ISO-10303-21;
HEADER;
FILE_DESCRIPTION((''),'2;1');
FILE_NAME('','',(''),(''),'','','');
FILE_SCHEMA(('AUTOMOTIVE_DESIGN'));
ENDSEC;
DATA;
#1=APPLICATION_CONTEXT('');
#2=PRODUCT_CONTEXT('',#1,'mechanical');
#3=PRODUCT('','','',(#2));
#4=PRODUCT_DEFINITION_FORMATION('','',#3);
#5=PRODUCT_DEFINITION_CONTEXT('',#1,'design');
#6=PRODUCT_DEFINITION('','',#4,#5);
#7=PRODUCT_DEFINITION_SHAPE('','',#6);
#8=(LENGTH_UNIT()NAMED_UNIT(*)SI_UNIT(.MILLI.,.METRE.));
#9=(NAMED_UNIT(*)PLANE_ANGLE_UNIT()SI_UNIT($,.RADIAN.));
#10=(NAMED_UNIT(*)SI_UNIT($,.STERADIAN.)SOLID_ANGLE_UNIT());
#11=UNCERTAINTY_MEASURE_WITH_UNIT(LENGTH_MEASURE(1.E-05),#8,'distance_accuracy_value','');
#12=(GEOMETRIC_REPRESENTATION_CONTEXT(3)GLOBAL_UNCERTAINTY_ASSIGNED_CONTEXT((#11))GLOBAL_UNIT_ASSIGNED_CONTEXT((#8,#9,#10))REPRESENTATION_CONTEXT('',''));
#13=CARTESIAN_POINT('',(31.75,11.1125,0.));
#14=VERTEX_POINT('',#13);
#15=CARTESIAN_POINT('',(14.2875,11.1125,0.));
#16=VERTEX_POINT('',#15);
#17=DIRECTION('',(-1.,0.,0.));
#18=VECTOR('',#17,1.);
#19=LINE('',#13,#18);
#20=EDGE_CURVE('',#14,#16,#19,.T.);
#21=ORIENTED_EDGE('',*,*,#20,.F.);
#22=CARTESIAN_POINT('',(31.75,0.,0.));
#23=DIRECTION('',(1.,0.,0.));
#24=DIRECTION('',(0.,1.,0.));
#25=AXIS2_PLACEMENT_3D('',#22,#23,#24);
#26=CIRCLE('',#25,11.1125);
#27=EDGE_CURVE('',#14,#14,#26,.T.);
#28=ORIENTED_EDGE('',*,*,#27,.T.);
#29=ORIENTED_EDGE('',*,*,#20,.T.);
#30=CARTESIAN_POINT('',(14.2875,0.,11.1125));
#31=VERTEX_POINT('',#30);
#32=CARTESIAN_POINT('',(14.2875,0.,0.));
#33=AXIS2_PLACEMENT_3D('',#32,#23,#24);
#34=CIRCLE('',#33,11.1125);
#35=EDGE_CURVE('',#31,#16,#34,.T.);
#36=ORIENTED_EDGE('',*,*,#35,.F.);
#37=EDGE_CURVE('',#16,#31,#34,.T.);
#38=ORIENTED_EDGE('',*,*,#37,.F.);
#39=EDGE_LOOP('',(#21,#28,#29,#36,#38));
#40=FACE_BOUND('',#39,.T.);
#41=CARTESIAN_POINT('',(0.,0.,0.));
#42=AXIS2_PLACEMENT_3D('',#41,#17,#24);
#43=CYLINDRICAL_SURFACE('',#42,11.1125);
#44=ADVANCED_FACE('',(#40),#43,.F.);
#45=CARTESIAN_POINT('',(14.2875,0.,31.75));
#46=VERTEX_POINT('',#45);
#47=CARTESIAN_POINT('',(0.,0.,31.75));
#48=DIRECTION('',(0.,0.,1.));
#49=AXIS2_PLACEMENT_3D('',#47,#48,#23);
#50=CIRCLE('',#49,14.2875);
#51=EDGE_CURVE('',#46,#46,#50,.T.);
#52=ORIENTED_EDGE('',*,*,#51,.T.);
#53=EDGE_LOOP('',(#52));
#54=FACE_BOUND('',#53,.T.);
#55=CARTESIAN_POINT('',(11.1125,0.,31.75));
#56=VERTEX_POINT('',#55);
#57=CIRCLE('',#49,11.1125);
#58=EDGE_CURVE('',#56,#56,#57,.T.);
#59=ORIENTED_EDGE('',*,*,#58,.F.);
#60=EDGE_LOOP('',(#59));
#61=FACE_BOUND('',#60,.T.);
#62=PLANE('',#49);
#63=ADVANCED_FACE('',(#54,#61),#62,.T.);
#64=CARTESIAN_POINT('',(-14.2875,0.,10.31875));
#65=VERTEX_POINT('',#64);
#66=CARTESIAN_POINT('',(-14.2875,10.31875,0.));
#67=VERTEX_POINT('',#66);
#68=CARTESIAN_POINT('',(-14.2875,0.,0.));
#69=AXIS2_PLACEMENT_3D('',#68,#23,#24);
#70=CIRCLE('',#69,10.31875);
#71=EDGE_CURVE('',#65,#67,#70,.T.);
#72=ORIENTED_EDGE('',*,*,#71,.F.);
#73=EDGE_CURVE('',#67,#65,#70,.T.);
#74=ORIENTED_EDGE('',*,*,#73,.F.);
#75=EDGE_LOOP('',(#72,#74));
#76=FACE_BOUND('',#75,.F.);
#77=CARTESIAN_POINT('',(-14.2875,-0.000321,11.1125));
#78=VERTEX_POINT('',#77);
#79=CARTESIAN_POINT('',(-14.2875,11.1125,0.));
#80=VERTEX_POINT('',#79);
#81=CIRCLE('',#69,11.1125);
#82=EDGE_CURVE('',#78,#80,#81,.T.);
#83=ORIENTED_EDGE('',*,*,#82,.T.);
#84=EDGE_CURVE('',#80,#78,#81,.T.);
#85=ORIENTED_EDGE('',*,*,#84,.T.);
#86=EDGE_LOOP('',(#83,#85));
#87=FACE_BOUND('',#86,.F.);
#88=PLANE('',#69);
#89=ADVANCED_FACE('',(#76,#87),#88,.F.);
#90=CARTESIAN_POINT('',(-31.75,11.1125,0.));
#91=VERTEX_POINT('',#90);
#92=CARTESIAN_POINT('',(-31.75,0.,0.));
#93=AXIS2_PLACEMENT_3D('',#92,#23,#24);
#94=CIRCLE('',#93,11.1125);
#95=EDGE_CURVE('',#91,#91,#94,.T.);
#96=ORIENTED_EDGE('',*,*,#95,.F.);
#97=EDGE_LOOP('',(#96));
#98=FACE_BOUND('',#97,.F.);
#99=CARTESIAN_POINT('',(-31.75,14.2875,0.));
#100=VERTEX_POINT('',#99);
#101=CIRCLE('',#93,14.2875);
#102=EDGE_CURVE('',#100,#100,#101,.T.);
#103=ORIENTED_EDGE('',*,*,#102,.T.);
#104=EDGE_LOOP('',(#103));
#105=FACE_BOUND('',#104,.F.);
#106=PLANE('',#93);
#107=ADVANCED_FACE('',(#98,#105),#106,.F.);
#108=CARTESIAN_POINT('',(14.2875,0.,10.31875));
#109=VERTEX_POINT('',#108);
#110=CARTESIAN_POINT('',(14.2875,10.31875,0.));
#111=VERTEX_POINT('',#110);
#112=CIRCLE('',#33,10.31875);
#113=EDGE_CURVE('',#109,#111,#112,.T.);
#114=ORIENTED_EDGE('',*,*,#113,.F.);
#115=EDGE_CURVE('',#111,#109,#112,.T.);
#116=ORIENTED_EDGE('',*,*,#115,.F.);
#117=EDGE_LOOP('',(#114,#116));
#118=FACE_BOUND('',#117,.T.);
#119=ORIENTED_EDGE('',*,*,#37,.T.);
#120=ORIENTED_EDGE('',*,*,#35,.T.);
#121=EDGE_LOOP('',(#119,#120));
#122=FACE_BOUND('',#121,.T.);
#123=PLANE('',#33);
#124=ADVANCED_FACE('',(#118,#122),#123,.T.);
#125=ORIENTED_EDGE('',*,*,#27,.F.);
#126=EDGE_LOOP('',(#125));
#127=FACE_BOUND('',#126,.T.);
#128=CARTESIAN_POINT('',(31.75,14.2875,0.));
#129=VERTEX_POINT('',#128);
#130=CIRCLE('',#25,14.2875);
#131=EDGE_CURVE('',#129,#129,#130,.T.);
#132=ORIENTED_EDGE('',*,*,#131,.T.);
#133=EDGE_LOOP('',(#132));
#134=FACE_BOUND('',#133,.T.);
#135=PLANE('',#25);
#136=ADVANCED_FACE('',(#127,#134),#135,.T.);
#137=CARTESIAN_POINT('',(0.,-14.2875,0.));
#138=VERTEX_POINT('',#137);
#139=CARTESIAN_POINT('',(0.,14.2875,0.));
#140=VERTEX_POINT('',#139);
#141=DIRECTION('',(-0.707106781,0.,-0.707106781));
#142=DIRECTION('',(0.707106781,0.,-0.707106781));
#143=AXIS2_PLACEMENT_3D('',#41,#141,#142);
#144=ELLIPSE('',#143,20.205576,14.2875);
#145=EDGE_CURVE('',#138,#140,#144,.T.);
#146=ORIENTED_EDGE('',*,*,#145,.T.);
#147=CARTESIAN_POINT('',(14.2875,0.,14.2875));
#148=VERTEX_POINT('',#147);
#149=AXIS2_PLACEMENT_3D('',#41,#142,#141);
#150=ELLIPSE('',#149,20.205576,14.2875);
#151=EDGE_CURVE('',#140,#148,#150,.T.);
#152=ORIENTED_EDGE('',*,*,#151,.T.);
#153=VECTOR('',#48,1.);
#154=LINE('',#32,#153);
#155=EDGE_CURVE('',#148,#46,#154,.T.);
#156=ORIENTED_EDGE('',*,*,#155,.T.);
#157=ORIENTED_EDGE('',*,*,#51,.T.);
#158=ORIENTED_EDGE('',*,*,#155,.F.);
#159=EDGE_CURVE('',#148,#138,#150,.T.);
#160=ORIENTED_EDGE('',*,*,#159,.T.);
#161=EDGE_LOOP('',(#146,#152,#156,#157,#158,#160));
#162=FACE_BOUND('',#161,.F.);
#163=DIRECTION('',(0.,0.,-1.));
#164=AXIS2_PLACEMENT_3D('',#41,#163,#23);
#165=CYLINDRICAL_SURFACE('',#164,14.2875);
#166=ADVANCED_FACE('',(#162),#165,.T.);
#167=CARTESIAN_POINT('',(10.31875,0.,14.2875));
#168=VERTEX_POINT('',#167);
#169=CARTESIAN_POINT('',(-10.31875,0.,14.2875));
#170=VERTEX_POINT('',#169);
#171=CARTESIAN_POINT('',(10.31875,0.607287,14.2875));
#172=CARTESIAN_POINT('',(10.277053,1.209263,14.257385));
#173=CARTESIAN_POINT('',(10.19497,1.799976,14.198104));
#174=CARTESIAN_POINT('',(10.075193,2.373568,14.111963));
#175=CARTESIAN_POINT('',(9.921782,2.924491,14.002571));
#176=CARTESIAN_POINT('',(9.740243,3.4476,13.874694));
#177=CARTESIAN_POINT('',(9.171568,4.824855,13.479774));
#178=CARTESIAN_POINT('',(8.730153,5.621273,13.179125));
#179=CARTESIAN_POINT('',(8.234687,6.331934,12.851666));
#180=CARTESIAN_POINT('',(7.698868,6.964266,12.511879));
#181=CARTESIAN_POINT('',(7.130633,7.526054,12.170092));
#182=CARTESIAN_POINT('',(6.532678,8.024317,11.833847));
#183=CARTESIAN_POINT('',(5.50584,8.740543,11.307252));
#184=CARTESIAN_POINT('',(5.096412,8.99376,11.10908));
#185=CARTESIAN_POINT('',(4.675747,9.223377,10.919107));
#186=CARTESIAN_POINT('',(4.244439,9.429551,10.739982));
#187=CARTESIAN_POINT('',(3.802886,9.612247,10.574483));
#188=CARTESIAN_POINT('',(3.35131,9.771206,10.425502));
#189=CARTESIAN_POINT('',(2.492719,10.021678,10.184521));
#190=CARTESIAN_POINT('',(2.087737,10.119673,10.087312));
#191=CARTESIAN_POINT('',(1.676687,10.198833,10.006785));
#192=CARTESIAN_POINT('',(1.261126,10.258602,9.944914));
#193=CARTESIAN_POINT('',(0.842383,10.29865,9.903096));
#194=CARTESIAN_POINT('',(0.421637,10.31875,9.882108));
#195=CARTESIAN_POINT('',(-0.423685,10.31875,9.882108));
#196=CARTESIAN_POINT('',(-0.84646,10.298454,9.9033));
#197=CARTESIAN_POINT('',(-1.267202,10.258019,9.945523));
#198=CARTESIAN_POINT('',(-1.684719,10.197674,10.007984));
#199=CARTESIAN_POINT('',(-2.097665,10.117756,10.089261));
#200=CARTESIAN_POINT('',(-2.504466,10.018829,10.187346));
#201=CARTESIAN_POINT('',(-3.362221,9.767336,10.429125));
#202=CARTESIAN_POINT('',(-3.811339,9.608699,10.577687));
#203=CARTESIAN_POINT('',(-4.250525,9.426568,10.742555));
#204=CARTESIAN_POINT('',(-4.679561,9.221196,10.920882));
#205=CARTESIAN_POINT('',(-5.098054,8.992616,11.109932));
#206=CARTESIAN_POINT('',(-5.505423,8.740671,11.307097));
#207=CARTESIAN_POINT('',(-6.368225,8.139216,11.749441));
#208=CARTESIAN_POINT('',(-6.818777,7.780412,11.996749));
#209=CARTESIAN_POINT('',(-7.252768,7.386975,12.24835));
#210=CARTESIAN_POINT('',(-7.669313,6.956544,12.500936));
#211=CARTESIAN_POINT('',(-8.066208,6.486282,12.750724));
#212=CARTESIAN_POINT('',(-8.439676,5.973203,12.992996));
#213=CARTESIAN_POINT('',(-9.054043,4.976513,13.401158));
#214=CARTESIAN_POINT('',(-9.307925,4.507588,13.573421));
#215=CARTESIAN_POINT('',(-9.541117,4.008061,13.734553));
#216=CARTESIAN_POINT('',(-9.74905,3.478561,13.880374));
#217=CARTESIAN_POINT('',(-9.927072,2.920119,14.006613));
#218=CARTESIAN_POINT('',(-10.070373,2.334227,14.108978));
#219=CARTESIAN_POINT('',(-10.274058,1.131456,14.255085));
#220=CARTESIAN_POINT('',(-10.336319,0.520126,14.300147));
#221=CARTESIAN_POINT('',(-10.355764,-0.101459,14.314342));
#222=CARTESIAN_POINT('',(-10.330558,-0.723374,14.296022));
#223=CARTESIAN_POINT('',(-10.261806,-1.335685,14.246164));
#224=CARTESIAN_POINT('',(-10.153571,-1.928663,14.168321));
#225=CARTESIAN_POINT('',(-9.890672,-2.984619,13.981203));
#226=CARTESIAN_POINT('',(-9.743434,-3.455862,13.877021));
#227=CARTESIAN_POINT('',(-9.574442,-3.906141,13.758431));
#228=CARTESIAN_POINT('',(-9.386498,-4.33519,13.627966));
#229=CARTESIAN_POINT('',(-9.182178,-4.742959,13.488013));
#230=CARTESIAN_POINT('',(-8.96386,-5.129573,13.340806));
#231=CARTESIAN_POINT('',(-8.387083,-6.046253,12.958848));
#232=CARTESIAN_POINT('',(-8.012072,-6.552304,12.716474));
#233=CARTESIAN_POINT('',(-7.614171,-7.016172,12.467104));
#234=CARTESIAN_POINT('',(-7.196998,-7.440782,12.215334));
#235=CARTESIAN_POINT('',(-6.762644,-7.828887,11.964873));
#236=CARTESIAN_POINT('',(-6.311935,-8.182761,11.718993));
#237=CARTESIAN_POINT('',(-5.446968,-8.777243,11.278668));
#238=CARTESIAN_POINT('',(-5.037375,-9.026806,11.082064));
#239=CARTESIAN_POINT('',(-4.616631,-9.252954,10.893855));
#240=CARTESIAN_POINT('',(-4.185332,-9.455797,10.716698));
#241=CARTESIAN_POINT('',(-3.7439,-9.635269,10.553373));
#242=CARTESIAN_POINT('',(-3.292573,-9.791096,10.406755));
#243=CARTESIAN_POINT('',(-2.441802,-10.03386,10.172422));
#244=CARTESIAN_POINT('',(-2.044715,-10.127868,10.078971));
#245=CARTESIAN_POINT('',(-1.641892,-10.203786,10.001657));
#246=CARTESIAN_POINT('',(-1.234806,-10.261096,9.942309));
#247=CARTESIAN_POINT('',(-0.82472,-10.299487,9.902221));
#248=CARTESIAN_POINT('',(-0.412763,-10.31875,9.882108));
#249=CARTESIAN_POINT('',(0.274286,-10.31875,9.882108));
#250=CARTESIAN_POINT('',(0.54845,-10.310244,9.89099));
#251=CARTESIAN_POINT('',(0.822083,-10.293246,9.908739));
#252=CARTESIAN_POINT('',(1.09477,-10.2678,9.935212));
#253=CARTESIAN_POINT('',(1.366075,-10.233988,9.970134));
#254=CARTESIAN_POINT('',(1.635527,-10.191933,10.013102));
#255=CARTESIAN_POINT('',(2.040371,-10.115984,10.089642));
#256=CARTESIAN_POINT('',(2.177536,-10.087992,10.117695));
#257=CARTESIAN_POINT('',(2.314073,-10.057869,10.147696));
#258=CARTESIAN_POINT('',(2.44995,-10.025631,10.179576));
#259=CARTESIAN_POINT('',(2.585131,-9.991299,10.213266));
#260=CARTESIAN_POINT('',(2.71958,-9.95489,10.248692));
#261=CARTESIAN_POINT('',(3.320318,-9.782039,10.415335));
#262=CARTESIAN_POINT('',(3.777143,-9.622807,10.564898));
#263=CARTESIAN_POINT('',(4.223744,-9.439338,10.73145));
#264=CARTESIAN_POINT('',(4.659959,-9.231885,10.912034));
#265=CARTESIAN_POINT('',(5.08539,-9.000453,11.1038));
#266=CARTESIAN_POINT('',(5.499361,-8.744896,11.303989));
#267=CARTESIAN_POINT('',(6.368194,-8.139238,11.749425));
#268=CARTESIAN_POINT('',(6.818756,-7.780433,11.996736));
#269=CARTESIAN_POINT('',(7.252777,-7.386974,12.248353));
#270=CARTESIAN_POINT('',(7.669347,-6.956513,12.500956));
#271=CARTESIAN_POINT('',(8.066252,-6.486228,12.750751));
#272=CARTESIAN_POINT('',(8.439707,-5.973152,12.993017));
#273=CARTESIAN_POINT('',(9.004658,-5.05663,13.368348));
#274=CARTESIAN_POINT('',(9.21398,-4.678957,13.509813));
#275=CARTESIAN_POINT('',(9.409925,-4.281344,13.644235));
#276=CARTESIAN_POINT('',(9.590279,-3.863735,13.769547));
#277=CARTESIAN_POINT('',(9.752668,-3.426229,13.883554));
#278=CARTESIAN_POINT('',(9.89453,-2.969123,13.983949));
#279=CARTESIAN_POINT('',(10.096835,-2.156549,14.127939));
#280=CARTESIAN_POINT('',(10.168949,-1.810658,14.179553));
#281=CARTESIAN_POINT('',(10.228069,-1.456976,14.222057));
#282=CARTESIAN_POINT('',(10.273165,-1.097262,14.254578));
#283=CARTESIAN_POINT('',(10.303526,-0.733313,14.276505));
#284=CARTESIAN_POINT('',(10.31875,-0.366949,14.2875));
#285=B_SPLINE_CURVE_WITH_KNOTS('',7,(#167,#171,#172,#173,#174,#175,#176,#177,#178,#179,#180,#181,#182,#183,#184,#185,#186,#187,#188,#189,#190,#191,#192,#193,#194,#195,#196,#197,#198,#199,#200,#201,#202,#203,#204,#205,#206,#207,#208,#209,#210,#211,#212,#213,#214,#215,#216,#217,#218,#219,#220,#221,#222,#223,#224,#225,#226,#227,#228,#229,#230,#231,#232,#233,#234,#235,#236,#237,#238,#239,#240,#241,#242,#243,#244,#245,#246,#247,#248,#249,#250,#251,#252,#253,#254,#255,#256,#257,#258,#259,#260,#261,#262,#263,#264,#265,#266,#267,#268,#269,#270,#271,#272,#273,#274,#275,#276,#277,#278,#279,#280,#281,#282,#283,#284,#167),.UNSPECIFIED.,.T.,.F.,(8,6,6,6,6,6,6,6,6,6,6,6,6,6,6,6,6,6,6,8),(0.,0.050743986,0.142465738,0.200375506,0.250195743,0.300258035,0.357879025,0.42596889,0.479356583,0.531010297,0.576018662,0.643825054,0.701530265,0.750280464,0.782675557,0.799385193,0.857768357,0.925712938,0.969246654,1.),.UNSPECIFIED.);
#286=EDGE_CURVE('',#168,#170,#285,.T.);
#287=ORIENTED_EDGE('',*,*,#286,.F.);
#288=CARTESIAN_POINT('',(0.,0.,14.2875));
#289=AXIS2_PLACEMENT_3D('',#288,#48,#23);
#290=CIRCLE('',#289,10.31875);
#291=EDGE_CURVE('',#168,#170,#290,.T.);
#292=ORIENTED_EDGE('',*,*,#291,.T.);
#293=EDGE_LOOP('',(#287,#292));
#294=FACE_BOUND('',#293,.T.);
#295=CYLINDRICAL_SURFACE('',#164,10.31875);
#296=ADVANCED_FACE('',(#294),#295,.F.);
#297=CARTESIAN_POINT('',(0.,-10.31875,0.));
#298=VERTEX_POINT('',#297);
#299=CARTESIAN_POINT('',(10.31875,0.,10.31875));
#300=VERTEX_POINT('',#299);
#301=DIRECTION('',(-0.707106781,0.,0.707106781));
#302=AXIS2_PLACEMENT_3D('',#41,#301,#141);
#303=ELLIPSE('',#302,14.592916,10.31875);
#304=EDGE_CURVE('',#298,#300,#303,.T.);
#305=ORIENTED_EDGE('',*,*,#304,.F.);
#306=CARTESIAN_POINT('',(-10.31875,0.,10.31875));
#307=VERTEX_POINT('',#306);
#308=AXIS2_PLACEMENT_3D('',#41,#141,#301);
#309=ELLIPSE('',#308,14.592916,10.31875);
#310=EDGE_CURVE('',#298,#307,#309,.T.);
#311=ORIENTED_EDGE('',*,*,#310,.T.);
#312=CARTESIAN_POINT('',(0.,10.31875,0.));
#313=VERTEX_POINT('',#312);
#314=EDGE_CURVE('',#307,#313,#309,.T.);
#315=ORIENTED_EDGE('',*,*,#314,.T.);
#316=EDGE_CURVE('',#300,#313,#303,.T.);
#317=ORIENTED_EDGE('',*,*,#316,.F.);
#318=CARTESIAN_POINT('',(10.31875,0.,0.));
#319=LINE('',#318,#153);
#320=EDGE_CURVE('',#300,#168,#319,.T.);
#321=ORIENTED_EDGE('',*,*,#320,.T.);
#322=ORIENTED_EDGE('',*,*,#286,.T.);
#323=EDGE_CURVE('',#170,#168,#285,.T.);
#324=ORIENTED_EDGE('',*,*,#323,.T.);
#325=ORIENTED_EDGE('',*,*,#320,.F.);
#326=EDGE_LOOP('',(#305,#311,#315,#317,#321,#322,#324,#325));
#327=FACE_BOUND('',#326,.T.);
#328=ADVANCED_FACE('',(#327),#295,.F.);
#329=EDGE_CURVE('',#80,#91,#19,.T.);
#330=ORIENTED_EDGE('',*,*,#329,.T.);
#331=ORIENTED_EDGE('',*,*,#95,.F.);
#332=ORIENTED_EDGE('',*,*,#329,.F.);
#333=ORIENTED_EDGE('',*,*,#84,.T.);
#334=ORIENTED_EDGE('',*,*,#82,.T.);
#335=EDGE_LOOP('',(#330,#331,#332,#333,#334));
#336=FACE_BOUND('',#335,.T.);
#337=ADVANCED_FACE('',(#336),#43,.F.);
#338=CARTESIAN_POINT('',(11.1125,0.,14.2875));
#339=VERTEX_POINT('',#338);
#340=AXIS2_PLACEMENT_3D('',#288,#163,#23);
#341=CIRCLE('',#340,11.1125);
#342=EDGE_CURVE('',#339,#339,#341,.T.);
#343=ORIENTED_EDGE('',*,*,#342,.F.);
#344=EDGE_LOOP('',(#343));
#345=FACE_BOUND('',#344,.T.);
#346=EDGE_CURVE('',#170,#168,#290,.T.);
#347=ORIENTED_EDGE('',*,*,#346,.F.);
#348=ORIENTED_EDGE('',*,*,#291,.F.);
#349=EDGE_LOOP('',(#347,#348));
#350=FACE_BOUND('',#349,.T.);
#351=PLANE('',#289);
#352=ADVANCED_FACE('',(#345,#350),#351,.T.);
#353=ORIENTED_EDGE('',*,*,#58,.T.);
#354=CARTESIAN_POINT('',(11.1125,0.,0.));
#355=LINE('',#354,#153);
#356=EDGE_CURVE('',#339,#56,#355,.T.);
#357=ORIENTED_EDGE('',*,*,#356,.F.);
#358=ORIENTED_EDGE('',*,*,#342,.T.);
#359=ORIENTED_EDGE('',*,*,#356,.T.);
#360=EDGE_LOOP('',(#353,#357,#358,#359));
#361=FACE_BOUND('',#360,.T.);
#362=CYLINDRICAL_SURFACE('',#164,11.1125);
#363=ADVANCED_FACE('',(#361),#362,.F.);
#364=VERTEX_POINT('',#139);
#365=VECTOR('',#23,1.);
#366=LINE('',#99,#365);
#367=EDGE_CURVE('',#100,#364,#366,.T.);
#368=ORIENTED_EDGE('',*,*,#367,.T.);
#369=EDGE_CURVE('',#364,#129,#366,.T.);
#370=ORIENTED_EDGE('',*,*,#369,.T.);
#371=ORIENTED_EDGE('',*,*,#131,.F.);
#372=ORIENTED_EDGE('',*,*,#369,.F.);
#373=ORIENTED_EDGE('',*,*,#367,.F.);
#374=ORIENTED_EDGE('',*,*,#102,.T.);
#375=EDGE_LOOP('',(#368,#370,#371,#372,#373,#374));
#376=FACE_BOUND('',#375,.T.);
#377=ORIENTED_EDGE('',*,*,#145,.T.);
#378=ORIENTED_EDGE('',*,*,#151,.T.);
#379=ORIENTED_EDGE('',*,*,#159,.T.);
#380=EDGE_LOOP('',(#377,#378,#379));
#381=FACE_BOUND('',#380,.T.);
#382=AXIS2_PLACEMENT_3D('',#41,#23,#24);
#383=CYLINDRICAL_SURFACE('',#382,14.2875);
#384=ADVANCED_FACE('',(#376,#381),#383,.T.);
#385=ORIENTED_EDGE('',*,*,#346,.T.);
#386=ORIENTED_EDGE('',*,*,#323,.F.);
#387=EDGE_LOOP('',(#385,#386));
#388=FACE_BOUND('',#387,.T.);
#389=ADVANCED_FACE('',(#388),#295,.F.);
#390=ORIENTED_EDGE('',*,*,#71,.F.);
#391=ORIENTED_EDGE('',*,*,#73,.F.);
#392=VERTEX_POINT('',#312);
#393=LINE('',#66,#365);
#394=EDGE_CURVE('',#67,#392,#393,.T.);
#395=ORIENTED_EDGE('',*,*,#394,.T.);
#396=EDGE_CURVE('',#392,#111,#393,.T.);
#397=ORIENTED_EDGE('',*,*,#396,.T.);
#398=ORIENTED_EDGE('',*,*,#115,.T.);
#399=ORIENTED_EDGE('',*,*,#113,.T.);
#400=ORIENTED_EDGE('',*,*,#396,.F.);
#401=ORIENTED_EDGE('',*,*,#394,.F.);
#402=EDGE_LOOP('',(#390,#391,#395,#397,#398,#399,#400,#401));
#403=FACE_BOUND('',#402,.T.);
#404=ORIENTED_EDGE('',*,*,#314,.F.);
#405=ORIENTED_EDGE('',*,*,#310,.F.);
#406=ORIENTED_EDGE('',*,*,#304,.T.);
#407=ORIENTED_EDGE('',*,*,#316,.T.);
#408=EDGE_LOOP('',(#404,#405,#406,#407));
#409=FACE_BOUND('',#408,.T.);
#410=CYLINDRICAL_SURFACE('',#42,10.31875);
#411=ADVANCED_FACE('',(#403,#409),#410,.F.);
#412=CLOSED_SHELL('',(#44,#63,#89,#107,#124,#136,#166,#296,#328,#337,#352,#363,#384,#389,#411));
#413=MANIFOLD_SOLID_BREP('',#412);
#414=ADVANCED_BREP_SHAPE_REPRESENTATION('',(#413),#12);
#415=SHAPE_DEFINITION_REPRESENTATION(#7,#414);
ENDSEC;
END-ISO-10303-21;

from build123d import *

# Parameters (mm, degrees)
F0_R     = 14.2875
F0_R_2   = 11.1125
F1_DEPTH = 31.75
F0_R_3   = 10.31875
F2_DEPTH = 14.2875
F3_R     = 14.2875
F3_R_2   = 11.1125
F4_DEPTH = 31.75
F3_R_3   = 10.31875
F5_DEPTH = 14.2875
F6_DEPTH = 14.2875
F7_DEPTH = 14.2875


with BuildPart() as f1:
    # F0 (on Top) → F1 (new body)
    with BuildSketch(Plane.XY):
        Circle(F0_R)
        Circle(F0_R_2, mode=Mode.SUBTRACT)
    extrude(amount=F1_DEPTH)

    # F0 (on Top) → F2 (join)
    with BuildSketch(Plane.XY):
        Circle(F0_R_2)
        Circle(F0_R_3, mode=Mode.SUBTRACT)
    extrude(amount=F2_DEPTH)

    # F3 (on Right) → F4 (join, symmetric)
    with BuildSketch(Plane.YZ):
        Circle(F3_R)
        Circle(F3_R_2, mode=Mode.SUBTRACT)
    extrude(amount=F4_DEPTH, both=True)

    # F3 (on Right) → F5 (join, symmetric)
    with BuildSketch(Plane.YZ):
        Circle(F3_R_2)
        Circle(F3_R_3, mode=Mode.SUBTRACT)
    extrude(amount=F5_DEPTH, both=True)

    # F3 (on Right) → F6 (cut, symmetric)
    with BuildSketch(Plane.YZ):
        Circle(F3_R_3)
    extrude(amount=F6_DEPTH, both=True, mode=Mode.SUBTRACT)

    # F0 (on Top) → F7 (cut)
    with BuildSketch(Plane.XY):
        Circle(F0_R_3)
    extrude(amount=F7_DEPTH, mode=Mode.SUBTRACT)


solid = f1.part
